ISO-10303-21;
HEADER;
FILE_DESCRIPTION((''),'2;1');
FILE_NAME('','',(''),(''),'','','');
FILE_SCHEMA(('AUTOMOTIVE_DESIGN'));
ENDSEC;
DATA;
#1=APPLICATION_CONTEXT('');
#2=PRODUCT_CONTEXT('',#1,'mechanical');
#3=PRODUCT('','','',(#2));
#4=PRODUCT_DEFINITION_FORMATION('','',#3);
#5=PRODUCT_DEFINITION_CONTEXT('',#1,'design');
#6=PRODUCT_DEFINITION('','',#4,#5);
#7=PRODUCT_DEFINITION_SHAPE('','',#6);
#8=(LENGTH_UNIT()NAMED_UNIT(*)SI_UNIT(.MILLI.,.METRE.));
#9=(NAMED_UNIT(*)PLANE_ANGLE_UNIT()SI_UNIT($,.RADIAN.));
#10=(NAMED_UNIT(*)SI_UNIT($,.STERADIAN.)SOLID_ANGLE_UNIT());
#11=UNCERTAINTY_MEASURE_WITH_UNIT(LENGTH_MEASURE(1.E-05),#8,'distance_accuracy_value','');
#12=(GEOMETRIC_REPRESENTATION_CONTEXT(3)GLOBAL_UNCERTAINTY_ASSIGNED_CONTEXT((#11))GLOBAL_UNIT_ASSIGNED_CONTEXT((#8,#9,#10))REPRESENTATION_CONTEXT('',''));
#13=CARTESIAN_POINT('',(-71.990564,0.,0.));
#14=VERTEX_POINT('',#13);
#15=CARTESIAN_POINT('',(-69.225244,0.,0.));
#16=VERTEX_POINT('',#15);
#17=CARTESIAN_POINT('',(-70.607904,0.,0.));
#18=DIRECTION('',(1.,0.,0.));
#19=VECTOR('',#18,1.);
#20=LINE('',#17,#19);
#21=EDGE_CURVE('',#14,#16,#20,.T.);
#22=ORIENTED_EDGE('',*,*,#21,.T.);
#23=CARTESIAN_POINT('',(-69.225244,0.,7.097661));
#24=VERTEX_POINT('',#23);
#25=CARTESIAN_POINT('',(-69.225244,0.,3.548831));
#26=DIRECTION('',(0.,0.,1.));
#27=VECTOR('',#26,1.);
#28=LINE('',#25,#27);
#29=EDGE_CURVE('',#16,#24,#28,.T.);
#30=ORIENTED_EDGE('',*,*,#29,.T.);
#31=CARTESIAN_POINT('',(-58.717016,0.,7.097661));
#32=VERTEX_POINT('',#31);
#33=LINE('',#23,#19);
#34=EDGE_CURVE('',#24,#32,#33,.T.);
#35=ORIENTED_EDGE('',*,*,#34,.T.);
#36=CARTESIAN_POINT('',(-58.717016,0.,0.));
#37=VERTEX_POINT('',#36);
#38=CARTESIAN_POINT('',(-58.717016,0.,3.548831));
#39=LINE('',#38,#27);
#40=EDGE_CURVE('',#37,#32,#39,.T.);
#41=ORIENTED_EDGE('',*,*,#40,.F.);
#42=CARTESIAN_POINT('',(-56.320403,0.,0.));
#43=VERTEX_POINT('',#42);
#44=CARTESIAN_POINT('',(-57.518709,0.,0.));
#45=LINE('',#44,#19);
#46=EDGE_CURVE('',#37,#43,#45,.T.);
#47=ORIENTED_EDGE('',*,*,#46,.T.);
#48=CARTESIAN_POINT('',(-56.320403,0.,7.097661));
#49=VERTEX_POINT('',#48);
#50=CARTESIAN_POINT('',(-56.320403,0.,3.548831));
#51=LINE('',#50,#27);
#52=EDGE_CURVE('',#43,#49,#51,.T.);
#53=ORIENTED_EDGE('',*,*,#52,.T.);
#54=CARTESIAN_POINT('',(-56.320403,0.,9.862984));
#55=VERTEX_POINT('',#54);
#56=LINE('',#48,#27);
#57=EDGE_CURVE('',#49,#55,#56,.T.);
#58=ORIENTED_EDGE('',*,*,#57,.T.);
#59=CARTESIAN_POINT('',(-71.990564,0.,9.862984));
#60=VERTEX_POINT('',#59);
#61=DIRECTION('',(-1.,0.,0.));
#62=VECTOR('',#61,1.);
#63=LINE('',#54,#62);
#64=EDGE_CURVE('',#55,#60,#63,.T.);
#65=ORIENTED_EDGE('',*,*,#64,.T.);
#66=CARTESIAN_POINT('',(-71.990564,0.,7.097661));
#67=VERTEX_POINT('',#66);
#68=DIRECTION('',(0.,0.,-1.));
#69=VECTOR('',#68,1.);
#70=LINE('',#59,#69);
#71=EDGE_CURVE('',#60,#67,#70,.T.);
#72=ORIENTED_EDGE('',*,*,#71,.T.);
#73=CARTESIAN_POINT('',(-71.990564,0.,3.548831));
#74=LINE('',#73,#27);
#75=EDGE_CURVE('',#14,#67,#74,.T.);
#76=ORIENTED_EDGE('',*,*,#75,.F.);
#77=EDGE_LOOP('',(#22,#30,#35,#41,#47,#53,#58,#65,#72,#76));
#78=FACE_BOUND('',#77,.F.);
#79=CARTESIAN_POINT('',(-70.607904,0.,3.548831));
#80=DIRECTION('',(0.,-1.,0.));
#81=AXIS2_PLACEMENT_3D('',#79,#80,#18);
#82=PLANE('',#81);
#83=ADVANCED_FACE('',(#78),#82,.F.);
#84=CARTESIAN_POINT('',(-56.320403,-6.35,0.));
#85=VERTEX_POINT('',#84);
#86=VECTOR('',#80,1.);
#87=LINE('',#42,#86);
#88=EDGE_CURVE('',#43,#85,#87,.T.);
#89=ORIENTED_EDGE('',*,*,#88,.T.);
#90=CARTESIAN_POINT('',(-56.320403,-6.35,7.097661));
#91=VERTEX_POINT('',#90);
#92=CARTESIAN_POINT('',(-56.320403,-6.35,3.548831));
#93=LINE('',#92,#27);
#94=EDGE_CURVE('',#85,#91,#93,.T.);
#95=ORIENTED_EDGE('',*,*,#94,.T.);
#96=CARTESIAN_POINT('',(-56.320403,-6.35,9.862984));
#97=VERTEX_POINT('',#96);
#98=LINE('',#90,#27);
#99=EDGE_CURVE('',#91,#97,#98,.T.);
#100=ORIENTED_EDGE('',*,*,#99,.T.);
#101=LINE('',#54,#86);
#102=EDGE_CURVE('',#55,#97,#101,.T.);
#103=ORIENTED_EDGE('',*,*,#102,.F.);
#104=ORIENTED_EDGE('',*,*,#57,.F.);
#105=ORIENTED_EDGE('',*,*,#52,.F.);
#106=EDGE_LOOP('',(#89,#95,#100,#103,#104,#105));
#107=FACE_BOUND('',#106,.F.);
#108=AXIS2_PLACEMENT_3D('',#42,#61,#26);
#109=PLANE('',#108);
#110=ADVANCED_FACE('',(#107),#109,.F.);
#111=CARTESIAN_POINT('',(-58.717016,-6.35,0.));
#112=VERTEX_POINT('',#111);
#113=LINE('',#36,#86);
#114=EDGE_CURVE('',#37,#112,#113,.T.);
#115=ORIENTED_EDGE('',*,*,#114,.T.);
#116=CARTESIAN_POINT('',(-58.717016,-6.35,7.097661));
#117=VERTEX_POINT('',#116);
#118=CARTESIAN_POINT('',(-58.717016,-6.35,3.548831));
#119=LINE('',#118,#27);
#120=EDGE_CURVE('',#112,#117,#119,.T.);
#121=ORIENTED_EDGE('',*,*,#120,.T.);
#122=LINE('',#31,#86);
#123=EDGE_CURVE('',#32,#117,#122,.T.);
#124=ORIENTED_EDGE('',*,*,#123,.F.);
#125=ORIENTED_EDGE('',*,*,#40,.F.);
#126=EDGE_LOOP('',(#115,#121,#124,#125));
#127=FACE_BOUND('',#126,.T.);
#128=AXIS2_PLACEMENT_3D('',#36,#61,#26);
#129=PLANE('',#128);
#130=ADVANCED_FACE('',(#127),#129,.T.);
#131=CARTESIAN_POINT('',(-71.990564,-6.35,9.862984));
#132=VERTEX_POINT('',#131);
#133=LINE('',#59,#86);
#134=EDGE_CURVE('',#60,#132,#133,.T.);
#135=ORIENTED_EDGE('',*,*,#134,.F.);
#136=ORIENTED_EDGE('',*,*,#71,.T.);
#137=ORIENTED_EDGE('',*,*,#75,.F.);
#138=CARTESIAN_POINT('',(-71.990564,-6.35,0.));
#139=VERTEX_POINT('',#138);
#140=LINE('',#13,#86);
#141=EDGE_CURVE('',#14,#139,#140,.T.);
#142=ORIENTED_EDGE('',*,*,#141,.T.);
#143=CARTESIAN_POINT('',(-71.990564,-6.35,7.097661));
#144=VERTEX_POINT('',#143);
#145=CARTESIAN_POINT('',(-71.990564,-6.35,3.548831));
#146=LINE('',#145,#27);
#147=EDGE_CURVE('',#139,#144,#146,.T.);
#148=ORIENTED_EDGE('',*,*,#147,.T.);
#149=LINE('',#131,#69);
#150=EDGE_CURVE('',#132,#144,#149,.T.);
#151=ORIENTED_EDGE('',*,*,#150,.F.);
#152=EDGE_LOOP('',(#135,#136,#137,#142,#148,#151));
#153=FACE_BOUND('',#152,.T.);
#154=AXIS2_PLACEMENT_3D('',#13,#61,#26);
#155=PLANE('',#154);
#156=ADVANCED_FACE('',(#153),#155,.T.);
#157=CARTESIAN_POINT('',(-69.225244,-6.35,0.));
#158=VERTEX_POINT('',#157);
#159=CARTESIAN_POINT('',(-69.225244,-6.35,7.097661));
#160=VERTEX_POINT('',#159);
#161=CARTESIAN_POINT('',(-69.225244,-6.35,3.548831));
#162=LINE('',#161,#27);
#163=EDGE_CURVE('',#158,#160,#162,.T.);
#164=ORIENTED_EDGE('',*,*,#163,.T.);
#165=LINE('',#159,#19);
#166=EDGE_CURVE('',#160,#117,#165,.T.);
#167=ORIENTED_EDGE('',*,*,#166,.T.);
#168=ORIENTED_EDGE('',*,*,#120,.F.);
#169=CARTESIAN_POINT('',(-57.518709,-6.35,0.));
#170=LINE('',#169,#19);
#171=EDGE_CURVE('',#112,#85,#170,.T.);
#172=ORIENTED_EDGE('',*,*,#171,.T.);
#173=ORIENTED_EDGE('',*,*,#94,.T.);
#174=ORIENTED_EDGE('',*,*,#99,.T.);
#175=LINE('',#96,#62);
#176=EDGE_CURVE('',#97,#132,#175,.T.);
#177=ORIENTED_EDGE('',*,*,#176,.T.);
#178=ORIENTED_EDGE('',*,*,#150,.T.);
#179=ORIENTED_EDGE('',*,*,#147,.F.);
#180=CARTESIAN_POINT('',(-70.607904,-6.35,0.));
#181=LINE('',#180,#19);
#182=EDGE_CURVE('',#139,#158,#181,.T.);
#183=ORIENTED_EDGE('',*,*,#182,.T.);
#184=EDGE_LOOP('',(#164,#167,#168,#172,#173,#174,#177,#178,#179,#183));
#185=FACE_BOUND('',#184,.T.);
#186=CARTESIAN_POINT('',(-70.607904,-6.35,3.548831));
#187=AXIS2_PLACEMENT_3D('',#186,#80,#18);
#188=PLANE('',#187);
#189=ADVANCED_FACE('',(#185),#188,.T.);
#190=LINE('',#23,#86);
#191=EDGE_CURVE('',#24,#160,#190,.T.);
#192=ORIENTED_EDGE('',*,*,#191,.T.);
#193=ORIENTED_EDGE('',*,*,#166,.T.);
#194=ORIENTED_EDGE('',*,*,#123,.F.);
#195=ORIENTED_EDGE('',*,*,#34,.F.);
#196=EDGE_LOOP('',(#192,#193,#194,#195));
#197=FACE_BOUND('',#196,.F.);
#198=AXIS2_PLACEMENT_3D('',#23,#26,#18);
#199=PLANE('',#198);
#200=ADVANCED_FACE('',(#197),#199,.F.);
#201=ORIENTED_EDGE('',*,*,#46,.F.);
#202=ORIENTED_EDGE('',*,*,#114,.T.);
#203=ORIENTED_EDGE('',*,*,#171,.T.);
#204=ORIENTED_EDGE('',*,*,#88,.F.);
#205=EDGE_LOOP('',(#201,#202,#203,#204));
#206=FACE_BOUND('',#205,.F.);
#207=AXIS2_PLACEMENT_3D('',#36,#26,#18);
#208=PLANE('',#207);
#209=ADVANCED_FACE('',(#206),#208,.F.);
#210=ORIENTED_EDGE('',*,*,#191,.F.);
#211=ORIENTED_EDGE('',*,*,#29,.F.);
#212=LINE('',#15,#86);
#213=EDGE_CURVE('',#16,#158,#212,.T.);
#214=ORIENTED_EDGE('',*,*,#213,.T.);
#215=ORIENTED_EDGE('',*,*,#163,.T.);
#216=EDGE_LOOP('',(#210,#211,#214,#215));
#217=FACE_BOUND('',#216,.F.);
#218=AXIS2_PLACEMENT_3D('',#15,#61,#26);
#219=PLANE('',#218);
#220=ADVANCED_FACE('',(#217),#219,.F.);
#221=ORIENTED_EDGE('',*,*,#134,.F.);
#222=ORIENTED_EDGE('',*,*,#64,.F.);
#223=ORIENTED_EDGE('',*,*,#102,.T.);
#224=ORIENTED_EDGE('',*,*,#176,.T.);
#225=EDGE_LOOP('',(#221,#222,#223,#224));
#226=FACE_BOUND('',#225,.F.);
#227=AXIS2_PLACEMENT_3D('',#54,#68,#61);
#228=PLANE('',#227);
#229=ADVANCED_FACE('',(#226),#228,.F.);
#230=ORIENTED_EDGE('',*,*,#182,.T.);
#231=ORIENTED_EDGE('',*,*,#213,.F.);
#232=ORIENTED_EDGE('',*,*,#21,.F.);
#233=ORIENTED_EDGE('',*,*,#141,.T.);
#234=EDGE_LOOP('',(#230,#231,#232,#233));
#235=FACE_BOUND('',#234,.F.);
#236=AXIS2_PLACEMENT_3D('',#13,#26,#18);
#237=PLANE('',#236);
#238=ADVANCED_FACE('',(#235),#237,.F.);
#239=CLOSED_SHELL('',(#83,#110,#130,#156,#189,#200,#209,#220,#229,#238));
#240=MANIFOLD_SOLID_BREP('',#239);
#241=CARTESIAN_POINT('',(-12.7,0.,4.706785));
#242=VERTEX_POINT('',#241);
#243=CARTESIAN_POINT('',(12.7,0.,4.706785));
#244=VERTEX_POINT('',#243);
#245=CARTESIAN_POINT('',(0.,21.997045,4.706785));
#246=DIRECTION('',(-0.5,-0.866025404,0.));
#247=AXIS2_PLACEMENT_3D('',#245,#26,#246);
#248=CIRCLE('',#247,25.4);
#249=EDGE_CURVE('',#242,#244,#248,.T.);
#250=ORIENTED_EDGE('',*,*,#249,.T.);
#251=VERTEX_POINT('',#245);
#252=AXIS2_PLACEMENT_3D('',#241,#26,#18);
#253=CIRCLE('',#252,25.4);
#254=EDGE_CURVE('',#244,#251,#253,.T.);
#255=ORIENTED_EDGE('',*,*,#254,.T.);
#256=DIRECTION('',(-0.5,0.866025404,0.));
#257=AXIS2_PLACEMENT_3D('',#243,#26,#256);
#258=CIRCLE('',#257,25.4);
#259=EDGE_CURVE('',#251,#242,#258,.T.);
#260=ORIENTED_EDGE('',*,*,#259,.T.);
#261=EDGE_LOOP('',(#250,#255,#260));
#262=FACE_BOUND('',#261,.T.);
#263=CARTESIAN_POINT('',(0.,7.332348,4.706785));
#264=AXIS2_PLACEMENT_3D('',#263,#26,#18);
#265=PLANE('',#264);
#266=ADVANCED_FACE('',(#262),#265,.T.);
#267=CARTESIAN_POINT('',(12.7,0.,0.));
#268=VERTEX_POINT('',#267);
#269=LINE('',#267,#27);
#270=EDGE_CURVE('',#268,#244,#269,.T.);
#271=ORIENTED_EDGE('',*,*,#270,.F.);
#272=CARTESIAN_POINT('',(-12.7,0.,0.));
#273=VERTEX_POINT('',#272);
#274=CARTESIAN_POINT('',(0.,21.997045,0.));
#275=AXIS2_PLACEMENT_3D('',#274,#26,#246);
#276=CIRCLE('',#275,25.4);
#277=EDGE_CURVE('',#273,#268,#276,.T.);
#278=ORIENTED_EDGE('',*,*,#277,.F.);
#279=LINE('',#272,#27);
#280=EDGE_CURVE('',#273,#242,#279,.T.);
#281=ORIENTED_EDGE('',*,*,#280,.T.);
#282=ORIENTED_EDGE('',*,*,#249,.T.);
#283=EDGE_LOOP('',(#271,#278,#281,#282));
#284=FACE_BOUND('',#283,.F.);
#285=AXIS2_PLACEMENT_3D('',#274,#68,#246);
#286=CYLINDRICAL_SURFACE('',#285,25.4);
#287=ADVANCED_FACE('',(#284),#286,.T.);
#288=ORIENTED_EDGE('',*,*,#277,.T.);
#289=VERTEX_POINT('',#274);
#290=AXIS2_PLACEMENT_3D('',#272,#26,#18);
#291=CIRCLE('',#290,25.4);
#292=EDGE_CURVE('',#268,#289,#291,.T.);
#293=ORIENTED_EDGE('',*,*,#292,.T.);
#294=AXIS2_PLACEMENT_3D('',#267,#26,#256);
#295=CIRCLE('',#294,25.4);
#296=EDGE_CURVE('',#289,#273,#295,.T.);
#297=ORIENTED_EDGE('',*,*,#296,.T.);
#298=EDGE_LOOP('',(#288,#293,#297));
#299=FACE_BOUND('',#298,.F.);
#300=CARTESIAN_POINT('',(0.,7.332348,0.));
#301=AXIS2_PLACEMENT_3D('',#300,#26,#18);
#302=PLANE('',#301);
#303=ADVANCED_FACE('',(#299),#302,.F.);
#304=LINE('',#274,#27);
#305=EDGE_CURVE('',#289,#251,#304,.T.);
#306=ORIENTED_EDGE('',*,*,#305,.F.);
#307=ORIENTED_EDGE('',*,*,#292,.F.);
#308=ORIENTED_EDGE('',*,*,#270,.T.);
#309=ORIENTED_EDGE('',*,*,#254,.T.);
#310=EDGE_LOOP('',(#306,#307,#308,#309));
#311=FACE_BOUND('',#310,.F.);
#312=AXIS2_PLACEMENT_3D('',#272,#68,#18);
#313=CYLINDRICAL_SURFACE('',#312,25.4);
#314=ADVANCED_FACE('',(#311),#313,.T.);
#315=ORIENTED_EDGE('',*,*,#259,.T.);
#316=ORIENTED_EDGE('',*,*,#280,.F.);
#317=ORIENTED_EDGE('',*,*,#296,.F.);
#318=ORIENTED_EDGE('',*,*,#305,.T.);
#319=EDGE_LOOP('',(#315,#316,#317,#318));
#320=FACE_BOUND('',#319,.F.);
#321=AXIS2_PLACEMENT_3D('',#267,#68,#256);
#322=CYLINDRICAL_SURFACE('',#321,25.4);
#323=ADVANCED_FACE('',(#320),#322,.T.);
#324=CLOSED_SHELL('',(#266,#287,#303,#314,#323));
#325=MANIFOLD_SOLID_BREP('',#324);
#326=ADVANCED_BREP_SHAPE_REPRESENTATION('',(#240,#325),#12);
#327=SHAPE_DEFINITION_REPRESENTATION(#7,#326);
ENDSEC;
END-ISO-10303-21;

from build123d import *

# Parameters (mm, degrees)
F1_DEPTH = 4.7067850828
F2_W     = 2.7653202415
F2_H     = 7.0976610295
F2_W_2   = 2.3966133595
F3_DEPTH = 6.35


with BuildPart() as f1:
    # F0 (on Top) → F1 (new body)
    with BuildSketch(Plane.XY):
        with BuildLine():
            ThreePointArc((0, 21.9970452561), (-9.2970452561, 12.7), (-12.7, 0))
            ThreePointArc((-12.7, 0), (0, -3.4029547439), (12.7, 0))
            ThreePointArc((12.7, 0), (9.2970452561, 12.7), (0, 21.9970452561))
        make_face()
    extrude(amount=F1_DEPTH)


with BuildPart() as f3:
    # F2 (on Front) → F3 (new body)
    with BuildSketch(Plane.XZ):
        with Locations((-70.6079043448, 3.5488305148)):
            Rectangle(F2_W, F2_H)
        Polygon((-71.9905644655, 9.8629835993), (-71.9905644655, 7.0976610295), (-69.2252442241, 7.0976610295), (-58.7170161307, 7.0976610295), (-56.3204027712, 7.0976610295), (-56.3204027712, 9.8629835993), align=None)
        with Locations((-57.518709451, 3.5488305148)):
            Rectangle(F2_W_2, F2_H)
    extrude(amount=F3_DEPTH)


solid = Compound([f1.part, f3.part])
